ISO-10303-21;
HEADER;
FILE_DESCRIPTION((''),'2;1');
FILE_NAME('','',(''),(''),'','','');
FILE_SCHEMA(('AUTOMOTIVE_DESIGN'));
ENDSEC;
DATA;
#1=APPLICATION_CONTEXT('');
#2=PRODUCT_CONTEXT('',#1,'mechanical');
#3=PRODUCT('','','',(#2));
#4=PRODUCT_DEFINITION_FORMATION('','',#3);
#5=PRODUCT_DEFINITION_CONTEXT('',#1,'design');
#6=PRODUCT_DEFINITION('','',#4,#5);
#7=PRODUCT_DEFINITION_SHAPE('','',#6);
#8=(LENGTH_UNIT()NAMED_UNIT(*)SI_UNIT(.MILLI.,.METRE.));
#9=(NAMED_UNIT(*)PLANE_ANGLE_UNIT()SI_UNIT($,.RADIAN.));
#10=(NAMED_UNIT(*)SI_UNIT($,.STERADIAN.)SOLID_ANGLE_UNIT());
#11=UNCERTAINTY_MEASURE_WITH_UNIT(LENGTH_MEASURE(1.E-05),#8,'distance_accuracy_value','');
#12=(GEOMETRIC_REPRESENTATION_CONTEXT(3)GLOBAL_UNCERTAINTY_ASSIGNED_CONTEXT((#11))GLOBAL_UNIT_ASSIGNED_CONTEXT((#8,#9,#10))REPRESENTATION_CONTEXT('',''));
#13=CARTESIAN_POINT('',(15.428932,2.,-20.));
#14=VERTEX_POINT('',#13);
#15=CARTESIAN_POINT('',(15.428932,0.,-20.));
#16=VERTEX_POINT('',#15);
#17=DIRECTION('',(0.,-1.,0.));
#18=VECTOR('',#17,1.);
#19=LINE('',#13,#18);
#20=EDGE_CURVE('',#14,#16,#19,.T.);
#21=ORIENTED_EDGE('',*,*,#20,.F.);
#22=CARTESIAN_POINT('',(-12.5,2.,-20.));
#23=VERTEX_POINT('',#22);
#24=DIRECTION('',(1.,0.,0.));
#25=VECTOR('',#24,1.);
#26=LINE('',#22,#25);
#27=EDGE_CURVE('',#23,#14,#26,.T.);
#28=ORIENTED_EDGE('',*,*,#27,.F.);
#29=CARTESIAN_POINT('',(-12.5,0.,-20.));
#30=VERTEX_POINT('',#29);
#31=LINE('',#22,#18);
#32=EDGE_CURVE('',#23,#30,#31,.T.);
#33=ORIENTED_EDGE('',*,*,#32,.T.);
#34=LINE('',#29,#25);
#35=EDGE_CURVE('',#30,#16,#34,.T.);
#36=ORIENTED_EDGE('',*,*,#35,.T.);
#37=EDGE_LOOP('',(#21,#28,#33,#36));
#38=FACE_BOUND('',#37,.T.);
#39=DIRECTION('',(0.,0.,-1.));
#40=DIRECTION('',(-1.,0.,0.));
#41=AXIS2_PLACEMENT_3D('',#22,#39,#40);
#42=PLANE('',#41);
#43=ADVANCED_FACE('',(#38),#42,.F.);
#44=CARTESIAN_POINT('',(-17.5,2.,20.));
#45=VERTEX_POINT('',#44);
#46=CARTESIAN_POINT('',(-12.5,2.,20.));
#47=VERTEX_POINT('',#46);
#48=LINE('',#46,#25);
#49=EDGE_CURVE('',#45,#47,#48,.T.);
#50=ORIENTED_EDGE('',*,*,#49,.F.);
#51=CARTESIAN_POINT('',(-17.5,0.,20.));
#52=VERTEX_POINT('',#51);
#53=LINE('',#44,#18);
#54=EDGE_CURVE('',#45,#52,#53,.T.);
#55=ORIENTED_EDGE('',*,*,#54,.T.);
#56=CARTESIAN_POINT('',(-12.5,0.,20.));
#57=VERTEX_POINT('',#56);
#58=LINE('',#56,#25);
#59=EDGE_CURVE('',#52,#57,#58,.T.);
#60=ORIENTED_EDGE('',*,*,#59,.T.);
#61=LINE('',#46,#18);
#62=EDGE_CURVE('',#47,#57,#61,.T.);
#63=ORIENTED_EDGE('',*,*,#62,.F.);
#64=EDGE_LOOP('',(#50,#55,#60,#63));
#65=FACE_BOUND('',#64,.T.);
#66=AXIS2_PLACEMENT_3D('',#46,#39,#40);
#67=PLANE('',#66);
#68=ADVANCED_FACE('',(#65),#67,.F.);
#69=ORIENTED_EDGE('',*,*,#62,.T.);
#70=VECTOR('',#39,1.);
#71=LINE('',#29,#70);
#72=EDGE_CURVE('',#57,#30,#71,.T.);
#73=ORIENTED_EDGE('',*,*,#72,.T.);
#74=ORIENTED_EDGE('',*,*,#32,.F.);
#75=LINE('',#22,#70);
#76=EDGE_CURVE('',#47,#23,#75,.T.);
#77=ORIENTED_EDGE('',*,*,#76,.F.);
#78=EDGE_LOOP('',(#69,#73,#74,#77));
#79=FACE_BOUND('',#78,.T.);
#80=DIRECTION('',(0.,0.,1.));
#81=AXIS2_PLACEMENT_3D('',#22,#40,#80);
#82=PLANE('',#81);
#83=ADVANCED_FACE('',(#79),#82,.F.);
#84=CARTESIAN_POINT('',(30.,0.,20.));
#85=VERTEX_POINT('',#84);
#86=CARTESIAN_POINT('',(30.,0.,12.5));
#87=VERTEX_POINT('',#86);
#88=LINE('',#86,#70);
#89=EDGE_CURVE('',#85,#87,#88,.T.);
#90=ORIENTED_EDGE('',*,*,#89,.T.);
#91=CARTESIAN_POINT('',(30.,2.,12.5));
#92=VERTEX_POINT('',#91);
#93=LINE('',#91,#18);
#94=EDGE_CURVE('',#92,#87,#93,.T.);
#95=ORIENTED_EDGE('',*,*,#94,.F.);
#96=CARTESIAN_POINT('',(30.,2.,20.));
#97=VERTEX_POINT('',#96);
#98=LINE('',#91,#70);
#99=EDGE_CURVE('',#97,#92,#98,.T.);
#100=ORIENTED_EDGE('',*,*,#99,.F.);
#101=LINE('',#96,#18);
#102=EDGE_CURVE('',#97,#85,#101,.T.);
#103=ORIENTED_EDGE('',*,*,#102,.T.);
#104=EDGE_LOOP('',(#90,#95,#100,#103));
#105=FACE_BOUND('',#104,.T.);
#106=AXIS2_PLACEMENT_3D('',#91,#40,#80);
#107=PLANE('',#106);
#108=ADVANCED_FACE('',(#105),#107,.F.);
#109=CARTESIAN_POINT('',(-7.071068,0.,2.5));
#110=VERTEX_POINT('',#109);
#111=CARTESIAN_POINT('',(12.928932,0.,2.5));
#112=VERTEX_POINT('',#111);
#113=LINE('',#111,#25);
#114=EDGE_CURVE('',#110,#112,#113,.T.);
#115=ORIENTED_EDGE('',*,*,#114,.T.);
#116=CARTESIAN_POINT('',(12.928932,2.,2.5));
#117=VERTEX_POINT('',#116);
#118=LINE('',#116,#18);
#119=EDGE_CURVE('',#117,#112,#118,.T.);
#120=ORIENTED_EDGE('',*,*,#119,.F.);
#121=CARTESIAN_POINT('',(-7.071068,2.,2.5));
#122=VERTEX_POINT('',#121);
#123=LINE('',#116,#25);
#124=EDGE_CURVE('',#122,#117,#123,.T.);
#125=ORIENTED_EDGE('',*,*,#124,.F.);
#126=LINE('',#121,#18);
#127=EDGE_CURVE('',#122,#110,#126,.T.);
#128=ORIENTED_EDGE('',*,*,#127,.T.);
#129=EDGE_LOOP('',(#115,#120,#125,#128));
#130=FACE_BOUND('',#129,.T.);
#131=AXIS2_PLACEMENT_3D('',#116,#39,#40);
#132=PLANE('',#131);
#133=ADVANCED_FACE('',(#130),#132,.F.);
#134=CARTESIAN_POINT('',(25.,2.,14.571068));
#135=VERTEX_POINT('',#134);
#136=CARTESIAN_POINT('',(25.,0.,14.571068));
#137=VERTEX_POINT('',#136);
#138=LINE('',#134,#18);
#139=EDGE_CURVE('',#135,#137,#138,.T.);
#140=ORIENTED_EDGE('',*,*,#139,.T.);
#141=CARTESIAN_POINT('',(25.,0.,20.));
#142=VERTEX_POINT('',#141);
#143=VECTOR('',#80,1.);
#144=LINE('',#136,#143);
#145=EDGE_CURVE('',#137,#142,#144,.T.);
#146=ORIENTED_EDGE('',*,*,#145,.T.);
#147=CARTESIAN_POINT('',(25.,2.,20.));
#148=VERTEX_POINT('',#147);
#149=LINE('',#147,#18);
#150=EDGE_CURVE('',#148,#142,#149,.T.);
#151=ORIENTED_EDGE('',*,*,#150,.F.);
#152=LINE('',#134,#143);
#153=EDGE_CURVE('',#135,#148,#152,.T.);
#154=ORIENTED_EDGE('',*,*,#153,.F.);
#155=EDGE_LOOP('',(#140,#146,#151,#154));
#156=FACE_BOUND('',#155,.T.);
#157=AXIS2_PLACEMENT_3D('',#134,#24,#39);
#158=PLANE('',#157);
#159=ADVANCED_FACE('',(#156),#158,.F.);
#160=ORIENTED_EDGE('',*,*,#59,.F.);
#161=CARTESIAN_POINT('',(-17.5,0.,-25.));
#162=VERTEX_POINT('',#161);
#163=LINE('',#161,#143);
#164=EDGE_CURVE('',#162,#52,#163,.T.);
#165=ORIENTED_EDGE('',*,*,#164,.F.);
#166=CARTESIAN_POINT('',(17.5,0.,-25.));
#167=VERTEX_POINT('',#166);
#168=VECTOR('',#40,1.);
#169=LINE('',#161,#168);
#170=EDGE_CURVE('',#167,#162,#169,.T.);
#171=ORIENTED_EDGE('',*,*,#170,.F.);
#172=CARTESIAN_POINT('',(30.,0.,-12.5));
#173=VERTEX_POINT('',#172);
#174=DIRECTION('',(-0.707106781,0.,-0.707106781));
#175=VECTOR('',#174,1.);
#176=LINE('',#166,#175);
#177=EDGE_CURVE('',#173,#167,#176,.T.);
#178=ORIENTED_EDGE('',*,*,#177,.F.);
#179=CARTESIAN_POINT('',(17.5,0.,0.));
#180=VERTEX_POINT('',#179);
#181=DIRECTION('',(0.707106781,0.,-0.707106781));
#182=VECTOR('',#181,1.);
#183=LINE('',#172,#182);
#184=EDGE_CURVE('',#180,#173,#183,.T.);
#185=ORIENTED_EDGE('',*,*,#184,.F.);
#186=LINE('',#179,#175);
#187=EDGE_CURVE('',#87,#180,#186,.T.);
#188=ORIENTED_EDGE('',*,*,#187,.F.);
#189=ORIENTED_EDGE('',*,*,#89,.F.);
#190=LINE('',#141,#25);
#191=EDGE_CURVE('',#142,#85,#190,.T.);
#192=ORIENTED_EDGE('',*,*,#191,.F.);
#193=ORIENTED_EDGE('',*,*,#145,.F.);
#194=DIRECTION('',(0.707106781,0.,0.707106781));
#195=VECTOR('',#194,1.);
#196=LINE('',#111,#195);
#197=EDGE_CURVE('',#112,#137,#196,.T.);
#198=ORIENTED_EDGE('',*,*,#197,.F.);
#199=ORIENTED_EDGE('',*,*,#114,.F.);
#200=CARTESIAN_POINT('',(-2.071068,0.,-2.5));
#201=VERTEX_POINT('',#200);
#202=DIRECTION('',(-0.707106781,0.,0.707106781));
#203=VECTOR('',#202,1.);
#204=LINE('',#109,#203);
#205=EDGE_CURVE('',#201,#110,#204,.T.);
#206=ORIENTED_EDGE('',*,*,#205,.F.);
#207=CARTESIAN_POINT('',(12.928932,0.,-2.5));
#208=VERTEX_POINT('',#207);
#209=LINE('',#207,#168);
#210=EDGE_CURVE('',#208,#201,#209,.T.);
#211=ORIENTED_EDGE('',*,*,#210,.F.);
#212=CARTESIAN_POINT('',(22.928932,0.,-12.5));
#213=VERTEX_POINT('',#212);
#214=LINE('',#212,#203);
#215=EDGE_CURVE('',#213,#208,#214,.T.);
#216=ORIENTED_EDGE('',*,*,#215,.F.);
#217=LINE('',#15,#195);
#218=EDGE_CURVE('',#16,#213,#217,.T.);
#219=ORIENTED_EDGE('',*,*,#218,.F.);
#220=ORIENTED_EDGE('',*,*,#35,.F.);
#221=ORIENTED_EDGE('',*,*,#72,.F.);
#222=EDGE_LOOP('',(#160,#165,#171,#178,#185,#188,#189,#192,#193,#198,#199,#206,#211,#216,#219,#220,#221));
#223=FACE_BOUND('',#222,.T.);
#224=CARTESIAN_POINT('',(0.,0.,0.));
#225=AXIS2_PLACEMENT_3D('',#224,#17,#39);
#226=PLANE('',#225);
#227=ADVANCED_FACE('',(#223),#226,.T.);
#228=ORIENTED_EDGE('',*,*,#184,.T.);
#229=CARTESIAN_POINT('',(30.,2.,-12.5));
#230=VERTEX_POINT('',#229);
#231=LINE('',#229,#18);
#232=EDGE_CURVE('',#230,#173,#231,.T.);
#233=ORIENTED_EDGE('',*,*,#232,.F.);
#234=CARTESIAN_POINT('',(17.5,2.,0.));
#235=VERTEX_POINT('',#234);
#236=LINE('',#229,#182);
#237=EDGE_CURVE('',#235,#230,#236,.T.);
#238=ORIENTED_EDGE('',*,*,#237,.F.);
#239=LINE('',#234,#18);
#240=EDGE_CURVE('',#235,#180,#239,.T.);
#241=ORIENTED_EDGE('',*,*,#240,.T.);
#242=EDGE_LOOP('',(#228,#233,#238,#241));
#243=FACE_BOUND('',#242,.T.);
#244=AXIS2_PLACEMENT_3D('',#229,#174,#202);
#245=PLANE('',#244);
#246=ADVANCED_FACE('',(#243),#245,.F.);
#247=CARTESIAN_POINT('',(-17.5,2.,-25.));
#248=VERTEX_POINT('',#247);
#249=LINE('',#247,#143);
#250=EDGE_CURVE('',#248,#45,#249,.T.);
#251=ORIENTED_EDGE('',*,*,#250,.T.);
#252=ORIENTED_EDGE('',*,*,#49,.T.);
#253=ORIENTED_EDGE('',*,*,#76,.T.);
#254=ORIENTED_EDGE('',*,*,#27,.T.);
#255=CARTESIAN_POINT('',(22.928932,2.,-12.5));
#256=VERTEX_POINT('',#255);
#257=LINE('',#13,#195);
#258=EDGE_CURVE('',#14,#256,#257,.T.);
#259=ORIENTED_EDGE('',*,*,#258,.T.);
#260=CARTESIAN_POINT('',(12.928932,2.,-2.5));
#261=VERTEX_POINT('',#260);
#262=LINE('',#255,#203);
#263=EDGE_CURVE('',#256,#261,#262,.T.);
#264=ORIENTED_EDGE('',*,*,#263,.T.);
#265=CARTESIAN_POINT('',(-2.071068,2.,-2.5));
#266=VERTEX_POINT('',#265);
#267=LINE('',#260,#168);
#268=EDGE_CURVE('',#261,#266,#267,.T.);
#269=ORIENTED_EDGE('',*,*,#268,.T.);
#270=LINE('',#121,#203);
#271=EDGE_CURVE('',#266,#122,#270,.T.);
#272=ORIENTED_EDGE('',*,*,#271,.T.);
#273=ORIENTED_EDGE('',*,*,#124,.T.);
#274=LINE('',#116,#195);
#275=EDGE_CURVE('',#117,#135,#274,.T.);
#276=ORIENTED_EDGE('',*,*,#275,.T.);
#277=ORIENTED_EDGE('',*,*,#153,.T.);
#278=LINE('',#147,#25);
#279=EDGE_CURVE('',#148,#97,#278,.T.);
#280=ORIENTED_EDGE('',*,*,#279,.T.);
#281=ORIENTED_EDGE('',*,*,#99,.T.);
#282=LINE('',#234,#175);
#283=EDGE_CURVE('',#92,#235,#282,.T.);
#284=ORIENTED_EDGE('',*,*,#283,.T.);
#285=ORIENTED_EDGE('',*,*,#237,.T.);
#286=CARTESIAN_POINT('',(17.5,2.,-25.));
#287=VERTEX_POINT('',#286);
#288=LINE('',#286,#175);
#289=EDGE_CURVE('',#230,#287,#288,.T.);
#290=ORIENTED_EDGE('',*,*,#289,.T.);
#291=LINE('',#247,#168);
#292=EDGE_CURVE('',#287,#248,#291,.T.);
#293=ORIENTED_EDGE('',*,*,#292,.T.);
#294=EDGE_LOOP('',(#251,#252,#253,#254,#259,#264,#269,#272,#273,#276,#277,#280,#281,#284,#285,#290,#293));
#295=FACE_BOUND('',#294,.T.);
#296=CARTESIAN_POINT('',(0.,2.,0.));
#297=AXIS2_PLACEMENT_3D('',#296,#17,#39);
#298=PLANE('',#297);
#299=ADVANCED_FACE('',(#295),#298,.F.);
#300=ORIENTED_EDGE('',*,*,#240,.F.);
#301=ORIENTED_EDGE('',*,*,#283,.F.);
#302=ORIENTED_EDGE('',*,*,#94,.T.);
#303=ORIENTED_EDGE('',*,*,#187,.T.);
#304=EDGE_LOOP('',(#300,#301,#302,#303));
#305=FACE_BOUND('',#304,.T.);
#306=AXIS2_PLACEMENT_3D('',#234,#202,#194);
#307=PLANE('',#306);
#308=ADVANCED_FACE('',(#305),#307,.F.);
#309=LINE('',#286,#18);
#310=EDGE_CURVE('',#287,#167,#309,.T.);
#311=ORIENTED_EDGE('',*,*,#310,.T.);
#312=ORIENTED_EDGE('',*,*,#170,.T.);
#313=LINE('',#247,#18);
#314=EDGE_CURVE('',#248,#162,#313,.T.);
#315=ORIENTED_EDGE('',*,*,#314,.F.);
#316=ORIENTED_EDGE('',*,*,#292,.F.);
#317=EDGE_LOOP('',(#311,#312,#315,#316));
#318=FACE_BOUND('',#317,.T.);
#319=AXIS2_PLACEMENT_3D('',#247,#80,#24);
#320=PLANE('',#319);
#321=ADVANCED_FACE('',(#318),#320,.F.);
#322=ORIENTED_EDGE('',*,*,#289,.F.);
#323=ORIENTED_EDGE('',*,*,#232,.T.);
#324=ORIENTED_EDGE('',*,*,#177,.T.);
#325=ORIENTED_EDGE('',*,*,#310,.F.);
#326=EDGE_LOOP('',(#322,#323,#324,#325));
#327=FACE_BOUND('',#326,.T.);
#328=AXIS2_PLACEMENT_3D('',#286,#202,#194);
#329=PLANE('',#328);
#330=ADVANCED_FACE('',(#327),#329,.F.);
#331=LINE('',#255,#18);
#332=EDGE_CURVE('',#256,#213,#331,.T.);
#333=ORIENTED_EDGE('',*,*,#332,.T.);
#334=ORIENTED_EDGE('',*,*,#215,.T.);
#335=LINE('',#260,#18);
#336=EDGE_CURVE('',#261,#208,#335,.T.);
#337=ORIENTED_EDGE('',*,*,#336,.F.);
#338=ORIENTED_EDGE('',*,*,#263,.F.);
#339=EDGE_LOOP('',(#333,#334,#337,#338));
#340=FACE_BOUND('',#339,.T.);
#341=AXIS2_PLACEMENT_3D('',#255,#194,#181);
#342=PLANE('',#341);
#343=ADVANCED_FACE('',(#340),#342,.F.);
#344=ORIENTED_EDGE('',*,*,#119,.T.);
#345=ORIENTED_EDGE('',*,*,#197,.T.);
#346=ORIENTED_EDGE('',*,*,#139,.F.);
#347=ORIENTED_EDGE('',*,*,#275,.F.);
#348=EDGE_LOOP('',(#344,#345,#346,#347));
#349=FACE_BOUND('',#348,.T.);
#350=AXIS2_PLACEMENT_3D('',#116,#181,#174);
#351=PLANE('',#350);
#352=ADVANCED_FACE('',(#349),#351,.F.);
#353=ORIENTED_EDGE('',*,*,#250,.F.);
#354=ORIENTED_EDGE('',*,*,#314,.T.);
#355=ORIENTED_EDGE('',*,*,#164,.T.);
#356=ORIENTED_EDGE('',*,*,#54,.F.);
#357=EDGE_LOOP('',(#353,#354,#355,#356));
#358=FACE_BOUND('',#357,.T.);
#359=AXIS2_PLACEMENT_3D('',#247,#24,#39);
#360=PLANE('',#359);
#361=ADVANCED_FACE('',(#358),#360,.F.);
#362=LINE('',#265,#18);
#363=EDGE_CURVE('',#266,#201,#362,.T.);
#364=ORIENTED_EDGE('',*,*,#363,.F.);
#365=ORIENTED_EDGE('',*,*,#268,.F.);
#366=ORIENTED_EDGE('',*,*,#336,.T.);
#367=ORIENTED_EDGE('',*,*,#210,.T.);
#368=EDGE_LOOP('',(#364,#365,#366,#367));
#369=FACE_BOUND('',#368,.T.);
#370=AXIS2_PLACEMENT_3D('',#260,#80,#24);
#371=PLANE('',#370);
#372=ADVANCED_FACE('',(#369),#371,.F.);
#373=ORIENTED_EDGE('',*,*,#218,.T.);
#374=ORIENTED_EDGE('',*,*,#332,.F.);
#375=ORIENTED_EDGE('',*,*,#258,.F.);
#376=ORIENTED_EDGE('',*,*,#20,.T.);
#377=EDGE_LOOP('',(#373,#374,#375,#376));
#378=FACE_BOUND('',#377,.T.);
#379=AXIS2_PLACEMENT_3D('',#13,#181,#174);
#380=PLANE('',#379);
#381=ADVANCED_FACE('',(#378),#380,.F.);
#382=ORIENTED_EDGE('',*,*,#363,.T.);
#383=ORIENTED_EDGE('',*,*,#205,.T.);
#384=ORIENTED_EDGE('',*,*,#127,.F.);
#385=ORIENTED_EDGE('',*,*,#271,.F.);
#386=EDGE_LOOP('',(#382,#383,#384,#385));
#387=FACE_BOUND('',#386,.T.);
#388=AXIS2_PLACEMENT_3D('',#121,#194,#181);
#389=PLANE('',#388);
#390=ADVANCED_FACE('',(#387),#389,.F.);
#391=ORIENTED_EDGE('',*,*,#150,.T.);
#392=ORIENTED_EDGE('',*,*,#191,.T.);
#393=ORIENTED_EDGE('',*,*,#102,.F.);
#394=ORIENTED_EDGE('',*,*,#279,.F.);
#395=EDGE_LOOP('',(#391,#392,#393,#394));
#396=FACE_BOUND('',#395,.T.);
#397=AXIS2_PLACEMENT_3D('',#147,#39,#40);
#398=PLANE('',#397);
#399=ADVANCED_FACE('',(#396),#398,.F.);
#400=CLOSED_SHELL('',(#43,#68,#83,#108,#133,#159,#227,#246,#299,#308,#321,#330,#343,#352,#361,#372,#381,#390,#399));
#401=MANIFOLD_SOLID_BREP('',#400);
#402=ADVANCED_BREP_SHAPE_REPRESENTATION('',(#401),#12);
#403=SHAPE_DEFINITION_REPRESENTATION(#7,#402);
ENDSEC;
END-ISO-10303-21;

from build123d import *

# Parameters (mm, degrees)
BOSS_EXTRUDE1_DEPTH = 2


with BuildPart() as part:
    # Sketch2 → Boss-Extrude1 (new body)
    with BuildSketch(Plane(origin=(0, 0, 0), x_dir=(1, 0, 0), z_dir=(0, 1, 0))):
        Polygon((-12.5, 20), (15.428932188, 20), (22.928932188, 12.5), (12.928932188, 2.5), (-2.071067812, 2.5), (-7.071067812, -2.5), (12.928932188, -2.5), (25, -14.571067812), (25, -20), (30, -20), (30, -12.5), (17.5, 0), (30, 12.5), (17.5, 25), (-17.5, 25), (-17.5, -20), (-12.5, -20), align=None)
    extrude(amount=BOSS_EXTRUDE1_DEPTH)


solid = part.part
